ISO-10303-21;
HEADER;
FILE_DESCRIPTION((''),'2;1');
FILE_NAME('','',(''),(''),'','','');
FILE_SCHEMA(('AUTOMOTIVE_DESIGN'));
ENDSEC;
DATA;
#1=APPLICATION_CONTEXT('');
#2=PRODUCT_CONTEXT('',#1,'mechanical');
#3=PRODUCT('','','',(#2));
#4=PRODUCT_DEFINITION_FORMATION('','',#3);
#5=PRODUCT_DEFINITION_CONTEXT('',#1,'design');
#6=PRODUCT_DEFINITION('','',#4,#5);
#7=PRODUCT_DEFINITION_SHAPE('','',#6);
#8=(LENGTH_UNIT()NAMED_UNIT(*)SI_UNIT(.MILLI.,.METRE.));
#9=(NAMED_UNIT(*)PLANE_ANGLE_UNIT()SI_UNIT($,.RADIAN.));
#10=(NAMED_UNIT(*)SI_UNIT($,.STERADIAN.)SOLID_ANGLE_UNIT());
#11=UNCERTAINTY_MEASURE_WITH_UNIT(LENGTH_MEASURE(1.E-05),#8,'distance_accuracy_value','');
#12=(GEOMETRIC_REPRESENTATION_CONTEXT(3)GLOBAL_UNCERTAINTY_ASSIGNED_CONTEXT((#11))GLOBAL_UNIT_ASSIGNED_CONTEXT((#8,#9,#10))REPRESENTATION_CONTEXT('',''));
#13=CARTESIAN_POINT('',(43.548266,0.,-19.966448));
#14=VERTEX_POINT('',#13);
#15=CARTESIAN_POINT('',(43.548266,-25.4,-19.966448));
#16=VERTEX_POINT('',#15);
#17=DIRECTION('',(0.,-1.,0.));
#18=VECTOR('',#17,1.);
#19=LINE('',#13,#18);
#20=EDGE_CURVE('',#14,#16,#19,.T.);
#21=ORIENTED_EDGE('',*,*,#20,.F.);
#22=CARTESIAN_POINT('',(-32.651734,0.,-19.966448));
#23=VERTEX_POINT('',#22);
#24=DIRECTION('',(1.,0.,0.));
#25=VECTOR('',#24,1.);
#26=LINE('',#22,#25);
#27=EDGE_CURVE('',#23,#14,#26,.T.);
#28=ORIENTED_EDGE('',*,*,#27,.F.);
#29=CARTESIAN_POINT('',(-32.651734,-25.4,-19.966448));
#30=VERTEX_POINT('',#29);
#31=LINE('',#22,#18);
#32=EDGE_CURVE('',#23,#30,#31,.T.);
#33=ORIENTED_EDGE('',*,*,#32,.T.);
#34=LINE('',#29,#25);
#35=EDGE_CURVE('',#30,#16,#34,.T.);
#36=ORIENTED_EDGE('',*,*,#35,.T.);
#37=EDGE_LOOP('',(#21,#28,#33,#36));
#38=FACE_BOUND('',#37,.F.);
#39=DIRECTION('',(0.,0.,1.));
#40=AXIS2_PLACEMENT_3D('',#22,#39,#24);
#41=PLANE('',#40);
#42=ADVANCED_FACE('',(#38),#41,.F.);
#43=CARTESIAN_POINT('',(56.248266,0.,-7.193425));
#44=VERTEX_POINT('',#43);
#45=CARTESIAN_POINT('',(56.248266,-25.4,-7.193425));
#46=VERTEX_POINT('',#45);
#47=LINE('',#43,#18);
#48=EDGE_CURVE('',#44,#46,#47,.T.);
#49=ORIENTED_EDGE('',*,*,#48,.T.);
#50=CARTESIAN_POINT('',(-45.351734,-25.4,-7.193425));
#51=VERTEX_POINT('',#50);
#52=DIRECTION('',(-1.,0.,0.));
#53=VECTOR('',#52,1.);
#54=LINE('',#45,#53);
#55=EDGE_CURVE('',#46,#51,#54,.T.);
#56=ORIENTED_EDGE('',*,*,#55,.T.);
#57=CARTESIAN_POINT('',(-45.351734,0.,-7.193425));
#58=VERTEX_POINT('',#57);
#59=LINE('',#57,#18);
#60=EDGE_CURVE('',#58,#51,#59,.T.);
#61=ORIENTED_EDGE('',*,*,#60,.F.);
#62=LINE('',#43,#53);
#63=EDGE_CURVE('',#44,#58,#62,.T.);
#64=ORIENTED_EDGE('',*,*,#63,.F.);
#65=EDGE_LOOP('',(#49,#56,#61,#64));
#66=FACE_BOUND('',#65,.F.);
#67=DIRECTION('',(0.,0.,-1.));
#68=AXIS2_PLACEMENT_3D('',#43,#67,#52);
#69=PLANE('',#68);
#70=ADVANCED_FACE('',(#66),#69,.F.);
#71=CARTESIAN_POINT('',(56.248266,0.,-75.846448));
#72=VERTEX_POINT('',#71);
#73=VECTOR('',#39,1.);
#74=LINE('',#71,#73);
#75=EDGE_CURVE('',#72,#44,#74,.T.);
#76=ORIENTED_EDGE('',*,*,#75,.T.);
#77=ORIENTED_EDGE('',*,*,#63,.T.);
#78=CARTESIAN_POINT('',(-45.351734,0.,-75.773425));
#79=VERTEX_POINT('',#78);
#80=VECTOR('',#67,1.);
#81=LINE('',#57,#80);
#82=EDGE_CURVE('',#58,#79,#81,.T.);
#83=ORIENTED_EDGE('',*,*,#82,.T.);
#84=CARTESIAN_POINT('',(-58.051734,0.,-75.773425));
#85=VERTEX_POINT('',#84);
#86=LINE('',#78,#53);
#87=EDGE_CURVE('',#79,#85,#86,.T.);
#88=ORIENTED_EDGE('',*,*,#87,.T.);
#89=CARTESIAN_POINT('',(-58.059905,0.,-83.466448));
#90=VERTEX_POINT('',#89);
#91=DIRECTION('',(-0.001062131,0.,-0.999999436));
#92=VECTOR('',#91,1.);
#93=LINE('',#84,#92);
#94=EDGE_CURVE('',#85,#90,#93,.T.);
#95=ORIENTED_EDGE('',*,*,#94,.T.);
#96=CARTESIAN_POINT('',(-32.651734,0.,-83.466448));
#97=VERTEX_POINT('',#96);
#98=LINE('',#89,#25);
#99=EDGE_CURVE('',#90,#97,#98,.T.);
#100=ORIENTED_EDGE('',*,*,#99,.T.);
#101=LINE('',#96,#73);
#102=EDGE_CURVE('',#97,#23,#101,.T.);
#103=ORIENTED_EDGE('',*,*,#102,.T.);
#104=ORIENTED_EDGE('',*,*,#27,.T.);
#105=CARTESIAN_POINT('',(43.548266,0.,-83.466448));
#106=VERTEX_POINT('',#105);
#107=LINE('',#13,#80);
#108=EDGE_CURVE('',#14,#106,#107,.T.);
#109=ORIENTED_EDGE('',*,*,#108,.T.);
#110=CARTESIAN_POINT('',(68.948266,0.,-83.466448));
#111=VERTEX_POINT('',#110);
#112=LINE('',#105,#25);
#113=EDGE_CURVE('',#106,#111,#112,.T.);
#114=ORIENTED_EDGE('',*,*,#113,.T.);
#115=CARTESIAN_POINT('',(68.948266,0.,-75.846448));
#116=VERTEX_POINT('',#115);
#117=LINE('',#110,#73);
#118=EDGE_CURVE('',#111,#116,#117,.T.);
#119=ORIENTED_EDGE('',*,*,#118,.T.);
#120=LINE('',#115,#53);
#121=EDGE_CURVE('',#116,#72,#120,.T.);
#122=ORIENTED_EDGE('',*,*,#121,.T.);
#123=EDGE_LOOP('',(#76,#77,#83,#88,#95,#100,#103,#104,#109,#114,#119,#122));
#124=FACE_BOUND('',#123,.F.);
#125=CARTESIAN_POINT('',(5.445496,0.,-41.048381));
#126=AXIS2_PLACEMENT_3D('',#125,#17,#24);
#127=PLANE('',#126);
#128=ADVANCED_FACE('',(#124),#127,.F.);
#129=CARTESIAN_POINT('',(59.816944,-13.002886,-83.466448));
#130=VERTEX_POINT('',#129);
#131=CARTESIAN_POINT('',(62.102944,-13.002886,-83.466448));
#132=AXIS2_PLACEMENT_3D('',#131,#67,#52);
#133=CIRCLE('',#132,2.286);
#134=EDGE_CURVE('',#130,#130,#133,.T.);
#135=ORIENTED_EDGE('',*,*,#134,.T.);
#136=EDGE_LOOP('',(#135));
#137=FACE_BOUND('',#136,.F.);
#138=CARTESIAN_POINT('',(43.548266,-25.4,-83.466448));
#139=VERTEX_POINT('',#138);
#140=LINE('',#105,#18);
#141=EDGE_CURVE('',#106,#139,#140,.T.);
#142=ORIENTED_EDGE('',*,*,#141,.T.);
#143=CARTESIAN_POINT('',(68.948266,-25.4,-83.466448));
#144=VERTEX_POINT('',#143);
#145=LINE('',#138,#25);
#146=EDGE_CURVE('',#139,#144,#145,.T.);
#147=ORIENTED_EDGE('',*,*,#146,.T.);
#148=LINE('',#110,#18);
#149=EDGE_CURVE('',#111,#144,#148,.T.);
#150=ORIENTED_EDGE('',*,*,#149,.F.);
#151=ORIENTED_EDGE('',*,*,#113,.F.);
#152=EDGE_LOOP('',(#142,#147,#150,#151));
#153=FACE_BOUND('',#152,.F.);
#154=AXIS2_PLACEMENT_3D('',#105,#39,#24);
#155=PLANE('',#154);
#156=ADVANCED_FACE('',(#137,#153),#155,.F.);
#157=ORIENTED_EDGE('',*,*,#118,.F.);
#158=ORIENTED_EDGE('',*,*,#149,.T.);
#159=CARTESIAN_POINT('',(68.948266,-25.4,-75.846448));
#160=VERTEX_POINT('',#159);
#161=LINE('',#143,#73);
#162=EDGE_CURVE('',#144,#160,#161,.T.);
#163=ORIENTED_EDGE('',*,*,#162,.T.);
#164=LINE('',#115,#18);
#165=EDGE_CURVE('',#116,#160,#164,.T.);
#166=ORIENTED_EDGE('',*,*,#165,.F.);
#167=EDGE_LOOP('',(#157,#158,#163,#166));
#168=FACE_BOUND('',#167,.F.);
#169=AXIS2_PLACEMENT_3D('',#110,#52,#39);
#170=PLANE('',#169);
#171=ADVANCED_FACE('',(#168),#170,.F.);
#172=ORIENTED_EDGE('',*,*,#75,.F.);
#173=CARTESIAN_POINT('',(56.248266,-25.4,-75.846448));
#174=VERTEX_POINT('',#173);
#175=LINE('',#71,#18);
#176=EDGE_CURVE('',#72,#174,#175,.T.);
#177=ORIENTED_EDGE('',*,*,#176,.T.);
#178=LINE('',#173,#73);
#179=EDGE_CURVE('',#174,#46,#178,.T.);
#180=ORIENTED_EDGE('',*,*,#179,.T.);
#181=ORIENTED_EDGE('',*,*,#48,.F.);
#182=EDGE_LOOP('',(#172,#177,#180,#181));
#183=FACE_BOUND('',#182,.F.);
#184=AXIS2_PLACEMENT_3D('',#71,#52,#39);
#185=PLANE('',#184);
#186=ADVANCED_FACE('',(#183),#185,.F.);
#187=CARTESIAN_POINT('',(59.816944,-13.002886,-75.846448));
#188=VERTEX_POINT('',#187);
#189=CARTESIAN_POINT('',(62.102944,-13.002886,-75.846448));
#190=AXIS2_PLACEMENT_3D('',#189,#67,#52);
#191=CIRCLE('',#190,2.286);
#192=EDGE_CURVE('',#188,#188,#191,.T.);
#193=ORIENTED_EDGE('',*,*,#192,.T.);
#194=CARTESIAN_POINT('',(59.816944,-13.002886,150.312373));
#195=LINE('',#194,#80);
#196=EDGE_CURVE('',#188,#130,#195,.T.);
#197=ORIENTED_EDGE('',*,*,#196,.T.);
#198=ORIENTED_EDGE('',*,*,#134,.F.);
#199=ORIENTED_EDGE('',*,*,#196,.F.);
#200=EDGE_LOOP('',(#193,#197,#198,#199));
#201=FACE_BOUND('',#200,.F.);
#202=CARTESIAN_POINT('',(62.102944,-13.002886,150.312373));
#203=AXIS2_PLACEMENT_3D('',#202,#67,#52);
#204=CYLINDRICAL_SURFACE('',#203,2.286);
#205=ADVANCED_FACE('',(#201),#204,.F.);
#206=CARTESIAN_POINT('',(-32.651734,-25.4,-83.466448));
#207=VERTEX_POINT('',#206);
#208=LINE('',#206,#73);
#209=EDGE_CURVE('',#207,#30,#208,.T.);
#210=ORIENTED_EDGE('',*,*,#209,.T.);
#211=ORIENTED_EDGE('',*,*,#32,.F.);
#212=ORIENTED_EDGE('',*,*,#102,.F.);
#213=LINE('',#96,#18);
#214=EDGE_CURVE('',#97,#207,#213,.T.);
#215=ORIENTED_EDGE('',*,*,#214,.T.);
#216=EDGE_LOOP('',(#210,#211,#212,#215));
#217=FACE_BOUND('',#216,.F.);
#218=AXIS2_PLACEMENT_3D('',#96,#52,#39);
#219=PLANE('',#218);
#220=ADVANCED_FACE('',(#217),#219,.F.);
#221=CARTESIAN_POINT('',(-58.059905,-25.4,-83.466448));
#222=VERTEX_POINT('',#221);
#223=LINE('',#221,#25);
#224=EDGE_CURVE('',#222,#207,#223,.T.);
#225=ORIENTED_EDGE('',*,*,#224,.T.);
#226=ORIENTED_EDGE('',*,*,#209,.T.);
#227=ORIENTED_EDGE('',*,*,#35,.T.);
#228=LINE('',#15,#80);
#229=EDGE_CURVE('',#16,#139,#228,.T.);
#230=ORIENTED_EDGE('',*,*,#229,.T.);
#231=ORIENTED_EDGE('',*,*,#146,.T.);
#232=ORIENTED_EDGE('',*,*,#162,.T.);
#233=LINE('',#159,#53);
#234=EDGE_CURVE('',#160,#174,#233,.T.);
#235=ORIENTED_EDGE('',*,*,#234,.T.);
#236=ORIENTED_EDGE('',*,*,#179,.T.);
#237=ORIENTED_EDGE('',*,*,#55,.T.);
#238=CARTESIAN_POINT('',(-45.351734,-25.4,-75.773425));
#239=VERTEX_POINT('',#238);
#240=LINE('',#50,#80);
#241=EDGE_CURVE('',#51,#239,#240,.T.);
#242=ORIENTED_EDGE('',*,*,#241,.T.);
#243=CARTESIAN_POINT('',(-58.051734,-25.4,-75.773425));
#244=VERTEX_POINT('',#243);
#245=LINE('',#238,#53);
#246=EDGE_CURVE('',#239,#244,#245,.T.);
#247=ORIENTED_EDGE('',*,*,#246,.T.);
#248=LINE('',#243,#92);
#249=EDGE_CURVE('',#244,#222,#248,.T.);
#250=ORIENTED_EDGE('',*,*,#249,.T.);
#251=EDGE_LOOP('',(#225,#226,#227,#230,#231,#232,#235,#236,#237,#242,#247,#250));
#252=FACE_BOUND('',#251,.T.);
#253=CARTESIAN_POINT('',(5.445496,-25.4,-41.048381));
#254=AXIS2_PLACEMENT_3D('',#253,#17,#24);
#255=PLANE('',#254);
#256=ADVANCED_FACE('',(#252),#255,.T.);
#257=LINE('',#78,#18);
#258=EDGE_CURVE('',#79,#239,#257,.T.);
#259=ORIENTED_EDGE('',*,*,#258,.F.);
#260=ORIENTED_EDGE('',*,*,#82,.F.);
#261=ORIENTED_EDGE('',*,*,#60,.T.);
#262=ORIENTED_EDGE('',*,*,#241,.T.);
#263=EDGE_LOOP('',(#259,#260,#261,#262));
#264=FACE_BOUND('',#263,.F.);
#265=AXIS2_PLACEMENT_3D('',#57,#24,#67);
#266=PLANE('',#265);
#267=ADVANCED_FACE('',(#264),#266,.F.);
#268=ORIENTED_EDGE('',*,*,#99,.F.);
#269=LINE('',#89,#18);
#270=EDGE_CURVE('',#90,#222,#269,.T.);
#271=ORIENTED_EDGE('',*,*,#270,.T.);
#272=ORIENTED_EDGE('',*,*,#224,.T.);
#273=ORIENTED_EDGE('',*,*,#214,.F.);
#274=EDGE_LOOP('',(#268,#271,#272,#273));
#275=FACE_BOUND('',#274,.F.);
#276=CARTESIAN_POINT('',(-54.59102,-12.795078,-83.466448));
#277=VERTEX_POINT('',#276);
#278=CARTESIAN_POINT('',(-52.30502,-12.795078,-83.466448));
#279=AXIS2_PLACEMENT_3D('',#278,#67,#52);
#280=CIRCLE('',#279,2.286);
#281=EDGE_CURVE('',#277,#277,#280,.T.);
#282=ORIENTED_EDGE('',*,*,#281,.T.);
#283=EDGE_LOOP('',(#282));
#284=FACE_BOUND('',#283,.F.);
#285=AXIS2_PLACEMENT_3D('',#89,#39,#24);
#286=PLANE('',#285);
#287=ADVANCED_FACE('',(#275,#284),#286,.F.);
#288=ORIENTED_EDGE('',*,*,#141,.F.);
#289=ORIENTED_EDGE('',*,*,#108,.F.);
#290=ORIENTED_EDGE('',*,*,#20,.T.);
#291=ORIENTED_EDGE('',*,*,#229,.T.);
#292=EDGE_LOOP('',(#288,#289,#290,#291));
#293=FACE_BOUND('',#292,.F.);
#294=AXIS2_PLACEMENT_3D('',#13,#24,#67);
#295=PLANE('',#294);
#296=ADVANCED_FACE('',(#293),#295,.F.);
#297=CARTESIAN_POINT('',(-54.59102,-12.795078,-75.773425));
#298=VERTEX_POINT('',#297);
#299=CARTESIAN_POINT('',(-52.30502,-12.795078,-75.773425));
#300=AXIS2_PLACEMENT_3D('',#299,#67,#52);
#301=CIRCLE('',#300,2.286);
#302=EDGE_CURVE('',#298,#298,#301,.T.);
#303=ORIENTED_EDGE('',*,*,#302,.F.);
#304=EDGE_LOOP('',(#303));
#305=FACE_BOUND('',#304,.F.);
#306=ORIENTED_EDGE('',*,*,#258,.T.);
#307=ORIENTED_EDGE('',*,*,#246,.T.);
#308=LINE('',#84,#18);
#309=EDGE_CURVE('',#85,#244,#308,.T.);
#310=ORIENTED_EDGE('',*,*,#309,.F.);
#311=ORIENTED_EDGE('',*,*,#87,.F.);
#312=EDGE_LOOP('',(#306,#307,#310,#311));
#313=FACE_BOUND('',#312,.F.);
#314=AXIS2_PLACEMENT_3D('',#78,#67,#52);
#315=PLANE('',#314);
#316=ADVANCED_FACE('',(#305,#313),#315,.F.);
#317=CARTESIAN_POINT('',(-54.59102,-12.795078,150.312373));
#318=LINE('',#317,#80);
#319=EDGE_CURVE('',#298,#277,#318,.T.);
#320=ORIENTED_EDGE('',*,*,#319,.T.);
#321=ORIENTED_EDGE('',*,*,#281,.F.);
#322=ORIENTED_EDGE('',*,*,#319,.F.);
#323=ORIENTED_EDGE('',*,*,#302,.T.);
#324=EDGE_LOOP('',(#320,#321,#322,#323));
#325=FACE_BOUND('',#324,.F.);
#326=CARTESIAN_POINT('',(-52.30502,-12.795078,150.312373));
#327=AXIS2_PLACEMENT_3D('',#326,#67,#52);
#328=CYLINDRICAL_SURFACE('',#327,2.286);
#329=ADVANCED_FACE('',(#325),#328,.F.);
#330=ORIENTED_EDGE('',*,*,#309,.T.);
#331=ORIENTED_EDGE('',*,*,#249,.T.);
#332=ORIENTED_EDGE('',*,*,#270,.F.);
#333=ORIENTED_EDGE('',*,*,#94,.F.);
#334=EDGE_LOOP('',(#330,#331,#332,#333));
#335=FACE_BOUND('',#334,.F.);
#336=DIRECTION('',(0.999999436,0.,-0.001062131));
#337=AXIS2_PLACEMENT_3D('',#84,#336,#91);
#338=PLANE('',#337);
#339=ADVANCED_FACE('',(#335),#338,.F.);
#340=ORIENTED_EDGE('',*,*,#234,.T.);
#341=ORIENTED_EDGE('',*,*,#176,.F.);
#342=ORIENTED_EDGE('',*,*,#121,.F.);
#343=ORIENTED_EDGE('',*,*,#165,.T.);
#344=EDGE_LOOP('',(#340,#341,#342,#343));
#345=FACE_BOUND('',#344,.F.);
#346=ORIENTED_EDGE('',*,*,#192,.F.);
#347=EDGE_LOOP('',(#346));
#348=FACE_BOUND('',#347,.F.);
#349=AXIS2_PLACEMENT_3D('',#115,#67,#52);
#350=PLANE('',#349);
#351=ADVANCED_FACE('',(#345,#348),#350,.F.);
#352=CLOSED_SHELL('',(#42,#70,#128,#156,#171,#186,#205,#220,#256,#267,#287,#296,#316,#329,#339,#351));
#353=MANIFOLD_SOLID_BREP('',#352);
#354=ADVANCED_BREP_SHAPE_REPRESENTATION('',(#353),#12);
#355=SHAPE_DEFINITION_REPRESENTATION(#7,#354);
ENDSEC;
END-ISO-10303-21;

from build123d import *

# Parameters (mm, degrees)
F1_DEPTH = 25.4
F3_D     = 4.572
F5_D     = 4.572


with BuildPart() as f1:
    # F0 (on Front) → F1 (new body)
    with BuildSketch(Plane.XZ):
        Polygon((-45.351734, -7.193425), (-45.351734, -75.773425), (-58.051734, -75.773425), (-58.059905, -83.466448), (-32.651734, -83.466448), (-32.651734, -19.966448), (43.548266, -19.966448), (43.548266, -83.466448), (68.948266, -83.466448), (68.948266, -75.846448), (56.248266, -75.846448), (56.248266, -7.193425), align=None)
    extrude(amount=F1_DEPTH)

    # F3 (through all)
    with Locations(Plane.XY):
        with Locations((-52.30502, -12.795078)):
            Hole(F3_D / 2)

    # F5 (through all)
    with Locations(Plane.XY):
        with Locations((62.102944, -13.002886)):
            Hole(F5_D / 2)


solid = f1.part
